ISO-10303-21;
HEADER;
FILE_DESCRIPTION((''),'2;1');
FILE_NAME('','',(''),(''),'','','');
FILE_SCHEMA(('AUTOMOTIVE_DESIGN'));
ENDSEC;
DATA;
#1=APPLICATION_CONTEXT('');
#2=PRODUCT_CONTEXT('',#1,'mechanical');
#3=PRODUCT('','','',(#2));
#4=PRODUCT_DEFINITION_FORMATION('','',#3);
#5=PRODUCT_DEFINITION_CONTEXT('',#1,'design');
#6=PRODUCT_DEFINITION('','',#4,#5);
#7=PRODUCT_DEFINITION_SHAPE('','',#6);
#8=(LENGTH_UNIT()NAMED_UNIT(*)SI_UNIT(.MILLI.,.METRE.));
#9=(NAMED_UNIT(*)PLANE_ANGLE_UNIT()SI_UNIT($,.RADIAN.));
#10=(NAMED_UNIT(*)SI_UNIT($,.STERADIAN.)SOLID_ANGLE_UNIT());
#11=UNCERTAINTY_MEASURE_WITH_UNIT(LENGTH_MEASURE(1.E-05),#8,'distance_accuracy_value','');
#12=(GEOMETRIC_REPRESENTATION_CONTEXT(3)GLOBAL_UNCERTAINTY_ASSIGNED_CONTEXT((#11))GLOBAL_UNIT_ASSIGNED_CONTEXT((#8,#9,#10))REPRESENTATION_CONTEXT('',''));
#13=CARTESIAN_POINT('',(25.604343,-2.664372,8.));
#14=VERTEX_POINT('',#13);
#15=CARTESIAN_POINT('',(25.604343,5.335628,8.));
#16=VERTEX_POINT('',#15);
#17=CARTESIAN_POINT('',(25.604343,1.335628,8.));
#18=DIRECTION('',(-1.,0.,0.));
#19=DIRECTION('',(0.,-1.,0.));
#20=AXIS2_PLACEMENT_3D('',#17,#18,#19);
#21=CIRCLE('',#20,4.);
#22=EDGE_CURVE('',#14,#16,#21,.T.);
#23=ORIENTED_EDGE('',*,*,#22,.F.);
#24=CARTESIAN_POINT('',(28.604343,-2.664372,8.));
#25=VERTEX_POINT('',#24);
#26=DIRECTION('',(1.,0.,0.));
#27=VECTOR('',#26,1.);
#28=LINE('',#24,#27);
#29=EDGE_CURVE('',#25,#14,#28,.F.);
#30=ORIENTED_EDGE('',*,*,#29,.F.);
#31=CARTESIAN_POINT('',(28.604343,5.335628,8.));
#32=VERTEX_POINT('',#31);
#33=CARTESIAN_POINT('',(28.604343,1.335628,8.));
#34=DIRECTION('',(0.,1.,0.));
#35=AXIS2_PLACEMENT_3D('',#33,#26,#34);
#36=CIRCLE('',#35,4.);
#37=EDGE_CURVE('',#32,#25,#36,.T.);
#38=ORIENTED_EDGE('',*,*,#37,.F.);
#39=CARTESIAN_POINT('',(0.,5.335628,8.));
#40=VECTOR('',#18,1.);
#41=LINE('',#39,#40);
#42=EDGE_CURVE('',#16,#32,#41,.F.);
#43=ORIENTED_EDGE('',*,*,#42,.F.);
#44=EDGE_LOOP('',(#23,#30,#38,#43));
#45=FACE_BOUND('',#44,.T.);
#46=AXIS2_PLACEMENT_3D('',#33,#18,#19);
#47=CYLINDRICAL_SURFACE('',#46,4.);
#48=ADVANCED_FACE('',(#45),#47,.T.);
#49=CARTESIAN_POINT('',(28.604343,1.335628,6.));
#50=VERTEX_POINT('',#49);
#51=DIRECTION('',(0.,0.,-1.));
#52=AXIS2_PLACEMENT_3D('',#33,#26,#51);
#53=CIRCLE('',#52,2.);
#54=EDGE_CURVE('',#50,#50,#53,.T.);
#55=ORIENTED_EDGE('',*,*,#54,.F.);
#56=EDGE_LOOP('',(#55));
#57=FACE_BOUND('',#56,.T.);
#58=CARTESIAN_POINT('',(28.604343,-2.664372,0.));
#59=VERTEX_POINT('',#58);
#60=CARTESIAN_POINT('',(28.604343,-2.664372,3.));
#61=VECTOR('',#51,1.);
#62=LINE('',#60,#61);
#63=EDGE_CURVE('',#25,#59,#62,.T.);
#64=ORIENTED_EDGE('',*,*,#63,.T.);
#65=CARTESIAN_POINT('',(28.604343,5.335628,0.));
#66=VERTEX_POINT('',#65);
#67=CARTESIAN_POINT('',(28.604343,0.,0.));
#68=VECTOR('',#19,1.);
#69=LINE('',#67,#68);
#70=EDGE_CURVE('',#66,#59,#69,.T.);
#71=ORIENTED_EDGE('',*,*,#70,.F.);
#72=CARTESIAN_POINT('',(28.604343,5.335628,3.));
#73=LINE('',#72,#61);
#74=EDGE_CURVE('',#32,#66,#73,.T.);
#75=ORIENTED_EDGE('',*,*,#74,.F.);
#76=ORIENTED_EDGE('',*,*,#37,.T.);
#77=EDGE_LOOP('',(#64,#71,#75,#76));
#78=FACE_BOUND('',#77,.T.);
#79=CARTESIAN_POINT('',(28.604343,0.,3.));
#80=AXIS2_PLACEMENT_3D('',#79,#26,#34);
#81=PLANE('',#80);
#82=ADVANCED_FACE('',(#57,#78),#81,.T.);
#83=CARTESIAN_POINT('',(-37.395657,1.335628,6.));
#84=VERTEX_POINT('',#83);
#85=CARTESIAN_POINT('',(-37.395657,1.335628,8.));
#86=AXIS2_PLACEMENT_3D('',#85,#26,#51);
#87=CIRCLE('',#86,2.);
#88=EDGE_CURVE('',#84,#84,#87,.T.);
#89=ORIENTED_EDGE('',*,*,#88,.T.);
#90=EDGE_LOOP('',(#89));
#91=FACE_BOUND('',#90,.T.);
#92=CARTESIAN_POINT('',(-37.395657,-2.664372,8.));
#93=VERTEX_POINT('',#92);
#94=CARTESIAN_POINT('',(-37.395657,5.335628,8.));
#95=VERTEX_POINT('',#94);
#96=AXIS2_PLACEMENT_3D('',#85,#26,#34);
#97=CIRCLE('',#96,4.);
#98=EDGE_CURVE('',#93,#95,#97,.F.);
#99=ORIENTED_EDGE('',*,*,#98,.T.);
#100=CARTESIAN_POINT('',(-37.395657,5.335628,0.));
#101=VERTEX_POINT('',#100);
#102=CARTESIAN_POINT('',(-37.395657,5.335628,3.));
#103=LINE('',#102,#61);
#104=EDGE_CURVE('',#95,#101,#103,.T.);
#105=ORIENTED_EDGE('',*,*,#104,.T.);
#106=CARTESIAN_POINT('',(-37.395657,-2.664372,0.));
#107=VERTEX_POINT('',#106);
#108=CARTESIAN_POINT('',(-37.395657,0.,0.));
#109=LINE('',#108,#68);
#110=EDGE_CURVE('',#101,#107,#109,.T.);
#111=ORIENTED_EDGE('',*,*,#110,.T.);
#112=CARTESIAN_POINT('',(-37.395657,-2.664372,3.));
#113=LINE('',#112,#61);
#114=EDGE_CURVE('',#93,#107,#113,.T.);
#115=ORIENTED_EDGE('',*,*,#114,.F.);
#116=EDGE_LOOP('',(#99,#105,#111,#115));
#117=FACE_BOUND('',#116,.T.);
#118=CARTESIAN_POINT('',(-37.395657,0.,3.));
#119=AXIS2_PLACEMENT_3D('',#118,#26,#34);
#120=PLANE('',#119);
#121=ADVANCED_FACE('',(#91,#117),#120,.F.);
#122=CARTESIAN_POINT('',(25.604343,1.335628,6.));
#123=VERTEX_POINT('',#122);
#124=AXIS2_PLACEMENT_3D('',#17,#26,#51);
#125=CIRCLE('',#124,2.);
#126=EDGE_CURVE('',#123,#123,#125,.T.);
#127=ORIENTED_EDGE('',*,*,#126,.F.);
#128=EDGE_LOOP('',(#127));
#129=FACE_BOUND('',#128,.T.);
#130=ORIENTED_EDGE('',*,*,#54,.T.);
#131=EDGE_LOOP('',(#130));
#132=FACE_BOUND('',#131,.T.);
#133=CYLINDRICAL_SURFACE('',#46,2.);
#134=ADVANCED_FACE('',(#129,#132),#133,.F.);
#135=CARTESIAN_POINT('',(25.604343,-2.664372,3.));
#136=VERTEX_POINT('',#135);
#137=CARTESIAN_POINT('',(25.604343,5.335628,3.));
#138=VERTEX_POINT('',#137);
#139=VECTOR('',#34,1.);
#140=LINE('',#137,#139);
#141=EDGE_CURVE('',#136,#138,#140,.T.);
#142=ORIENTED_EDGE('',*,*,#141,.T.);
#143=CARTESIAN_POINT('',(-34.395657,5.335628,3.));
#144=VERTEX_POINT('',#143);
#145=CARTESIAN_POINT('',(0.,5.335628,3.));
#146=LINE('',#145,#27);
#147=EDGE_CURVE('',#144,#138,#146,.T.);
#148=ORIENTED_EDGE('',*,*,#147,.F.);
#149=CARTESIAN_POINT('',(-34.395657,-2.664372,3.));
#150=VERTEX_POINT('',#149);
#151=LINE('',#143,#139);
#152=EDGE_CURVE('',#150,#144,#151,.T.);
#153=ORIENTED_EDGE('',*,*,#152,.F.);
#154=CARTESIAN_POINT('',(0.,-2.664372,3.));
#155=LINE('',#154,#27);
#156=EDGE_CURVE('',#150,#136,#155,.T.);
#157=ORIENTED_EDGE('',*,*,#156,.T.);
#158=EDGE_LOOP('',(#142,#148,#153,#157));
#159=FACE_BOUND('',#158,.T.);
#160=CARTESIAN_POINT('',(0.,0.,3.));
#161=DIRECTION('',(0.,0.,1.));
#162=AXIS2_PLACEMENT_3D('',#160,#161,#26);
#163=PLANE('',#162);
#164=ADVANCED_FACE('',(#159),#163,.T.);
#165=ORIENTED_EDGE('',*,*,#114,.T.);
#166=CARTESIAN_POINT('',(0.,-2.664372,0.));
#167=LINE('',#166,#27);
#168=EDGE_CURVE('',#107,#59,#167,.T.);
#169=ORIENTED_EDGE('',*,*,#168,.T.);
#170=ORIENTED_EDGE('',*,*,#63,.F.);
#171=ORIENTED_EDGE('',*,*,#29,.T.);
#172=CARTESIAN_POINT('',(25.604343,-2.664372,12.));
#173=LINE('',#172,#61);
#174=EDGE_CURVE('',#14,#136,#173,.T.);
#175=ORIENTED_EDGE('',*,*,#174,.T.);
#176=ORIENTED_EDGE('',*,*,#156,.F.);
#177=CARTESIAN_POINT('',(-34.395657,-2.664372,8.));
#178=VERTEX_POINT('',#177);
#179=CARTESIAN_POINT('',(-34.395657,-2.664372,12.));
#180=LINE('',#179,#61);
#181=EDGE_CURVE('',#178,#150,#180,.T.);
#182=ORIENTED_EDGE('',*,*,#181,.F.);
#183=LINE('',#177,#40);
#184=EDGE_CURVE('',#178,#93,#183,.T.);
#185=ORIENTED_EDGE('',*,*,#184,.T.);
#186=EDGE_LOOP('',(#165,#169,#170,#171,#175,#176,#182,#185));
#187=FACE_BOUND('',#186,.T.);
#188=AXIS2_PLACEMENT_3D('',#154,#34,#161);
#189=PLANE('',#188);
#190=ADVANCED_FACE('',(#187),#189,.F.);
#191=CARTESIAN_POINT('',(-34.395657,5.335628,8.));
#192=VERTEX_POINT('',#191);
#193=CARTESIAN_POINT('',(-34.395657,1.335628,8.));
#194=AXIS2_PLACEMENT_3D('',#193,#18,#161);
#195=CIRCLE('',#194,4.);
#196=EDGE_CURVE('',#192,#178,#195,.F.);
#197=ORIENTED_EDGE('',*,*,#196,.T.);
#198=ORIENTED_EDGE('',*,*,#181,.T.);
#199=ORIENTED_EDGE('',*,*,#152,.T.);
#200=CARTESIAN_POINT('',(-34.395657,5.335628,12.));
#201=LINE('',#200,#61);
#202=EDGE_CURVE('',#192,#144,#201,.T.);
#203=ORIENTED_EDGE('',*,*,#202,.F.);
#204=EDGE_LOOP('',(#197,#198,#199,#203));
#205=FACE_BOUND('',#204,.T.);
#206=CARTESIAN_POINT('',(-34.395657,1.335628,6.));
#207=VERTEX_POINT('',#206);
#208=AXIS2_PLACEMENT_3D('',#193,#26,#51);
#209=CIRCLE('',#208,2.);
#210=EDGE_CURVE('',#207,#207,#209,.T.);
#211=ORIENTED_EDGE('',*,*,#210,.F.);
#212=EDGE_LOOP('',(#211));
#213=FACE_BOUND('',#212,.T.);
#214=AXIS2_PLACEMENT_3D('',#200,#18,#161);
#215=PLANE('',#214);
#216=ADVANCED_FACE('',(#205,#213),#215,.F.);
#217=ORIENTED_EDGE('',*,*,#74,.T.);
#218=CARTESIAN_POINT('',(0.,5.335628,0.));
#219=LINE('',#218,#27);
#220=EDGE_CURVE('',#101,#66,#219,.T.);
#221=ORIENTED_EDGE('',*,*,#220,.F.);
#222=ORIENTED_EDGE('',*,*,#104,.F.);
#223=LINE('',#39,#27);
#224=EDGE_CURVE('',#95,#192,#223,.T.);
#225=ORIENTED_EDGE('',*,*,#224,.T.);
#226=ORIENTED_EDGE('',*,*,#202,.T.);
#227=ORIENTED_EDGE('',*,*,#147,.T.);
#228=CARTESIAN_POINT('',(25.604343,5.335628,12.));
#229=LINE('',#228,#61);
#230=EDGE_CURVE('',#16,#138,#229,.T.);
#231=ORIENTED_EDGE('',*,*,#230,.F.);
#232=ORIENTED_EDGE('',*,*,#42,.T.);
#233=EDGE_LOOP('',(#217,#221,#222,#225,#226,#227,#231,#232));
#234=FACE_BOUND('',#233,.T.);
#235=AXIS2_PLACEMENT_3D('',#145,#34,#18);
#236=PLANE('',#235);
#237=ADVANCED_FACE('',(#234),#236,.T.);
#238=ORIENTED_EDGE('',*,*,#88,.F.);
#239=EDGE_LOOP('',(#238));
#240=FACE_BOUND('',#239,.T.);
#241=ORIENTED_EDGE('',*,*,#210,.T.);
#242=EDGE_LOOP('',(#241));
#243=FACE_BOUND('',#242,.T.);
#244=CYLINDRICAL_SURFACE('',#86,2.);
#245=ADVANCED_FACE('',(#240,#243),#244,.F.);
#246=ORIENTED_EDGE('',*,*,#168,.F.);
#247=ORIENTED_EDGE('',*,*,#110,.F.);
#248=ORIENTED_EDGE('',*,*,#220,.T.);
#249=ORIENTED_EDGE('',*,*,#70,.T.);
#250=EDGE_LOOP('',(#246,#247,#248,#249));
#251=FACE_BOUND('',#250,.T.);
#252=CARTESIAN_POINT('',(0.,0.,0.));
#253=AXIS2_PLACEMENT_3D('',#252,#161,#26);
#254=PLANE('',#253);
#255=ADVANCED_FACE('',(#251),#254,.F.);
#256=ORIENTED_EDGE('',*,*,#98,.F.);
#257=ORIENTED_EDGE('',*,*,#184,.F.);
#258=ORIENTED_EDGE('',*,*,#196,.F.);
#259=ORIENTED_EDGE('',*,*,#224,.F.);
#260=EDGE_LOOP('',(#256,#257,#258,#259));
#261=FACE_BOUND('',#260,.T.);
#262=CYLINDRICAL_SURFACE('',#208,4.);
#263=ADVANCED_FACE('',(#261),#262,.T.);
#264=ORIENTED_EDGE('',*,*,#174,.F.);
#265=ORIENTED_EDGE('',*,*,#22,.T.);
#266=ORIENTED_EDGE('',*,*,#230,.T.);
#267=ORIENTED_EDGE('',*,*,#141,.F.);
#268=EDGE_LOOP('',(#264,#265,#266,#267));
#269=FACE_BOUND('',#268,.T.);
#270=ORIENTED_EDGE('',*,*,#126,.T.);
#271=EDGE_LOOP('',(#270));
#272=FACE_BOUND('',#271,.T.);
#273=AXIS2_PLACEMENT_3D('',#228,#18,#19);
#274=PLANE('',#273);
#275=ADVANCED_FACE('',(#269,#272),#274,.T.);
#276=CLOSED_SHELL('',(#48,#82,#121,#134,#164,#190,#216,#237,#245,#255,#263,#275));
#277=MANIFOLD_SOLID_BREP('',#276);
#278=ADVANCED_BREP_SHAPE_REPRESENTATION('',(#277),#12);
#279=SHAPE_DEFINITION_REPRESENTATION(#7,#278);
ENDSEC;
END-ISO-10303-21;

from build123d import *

# Parameters (mm, degrees)
SKETCH1_W                   = 3
SKETCH1_H                   = 8
SKETCH1_W_2                 = 30
BOSS_EXTRUDE3_DEPTH         = 3
SKETCH6_W                   = 3
SKETCH6_H                   = 8
BOSS_EXTRUDE5_DEPTH         = 9
FILLET3_RADIUS              = 4
FILLET3_LENGTH              = 3
SKETCH7_R                   = 2
CUT_EXTRUDE1_DEPTH          = 33.748571352
FILLET3_OF_MIRROR1_2_RADIUS = 4
FILLET3_OF_MIRROR1_2_LENGTH = 3


with BuildPart() as part:
    # Sketch1 → Boss-Extrude3 (new body)
    with BuildSketch(Plane.XY):
        with Locations((-35.895657312, 1.33562795)):
            Rectangle(SKETCH1_W, SKETCH1_H)
        with Locations((-19.395657312, 1.33562795)):
            Rectangle(SKETCH1_W_2, SKETCH1_H)
    boss_extrude3 = extrude(amount=BOSS_EXTRUDE3_DEPTH)

    # Sketch6 → Boss-Extrude5 (add)
    with BuildSketch(Plane.XY.offset(3)):
        with Locations((-35.895657312, 1.33562795)):
            Rectangle(SKETCH6_W, SKETCH6_H)
    boss_extrude5 = extrude(amount=BOSS_EXTRUDE5_DEPTH)

    # Fillet3: full round fillet: the end face becomes a half cylinder, R = half its width
    fillet3_face = Plane((-35.895657312, 1.33562795, 12), x_dir=(-1, 0, 0), z_dir=(0, 0, 1))  # on the end face: x along it, z out of the body
    fillet3_slab = fillet3_face.offset(-FILLET3_RADIUS / 2) * Box(FILLET3_LENGTH, 2 * FILLET3_RADIUS, FILLET3_RADIUS, mode=Mode.PRIVATE)  # the body's end, R deep
    fillet3_round = Plane((-35.895657312, 1.33562795, 8), x_dir=(0, 0, 1), z_dir=(-1, 0, 0)) * Cylinder(FILLET3_RADIUS, FILLET3_LENGTH, mode=Mode.PRIVATE)  # its axis R under the face
    add(fillet3_slab - fillet3_round, mode=Mode.SUBTRACT)

    # Sketch7 → Cut-Extrude1 (cut, through all)
    with BuildSketch(Plane(origin=(-34.395657312, 0, 0), x_dir=(0, 0, -1), z_dir=(1, 0, 0))):
        with Locations((-8, 1.33562795)):
            Circle(SKETCH7_R)
    cut_extrude1 = extrude(amount=-CUT_EXTRUDE1_DEPTH, mode=Mode.SUBTRACT)

    # Mirror1: Boss-Extrude3, Boss-Extrude5, Cut-Extrude1 across plane
    add(boss_extrude3.mirror(Plane(origin=(-4.395657312, 0, 0), x_dir=(0, 0, 1), z_dir=(1, 0, 0))))
    add(boss_extrude5.mirror(Plane(origin=(-4.395657312, 0, 0), x_dir=(0, 0, 1), z_dir=(1, 0, 0))))
    add(cut_extrude1.mirror(Plane(origin=(-4.395657312, 0, 0), x_dir=(0, 0, 1), z_dir=(1, 0, 0))), mode=Mode.SUBTRACT)

    # Fillet3 of Mirror1 2: full round fillet: the end face becomes a half cylinder, R = half its width
    fillet3_of_mirror1_2_face = Plane((27.104342688, 1.33562795, 12), x_dir=(1, 0, 0), z_dir=(0, 0, 1))  # on the end face: x along it, z out of the body
    fillet3_of_mirror1_2_slab = fillet3_of_mirror1_2_face.offset(-FILLET3_OF_MIRROR1_2_RADIUS / 2) * Box(FILLET3_OF_MIRROR1_2_LENGTH, 2 * FILLET3_OF_MIRROR1_2_RADIUS, FILLET3_OF_MIRROR1_2_RADIUS, mode=Mode.PRIVATE)  # the body's end, R deep
    fillet3_of_mirror1_2_round = Plane((27.104342688, 1.33562795, 8), x_dir=(0, 0, 1), z_dir=(1, 0, 0)) * Cylinder(FILLET3_OF_MIRROR1_2_RADIUS, FILLET3_OF_MIRROR1_2_LENGTH, mode=Mode.PRIVATE)  # its axis R under the face
    add(fillet3_of_mirror1_2_slab - fillet3_of_mirror1_2_round, mode=Mode.SUBTRACT)


solid = part.part
